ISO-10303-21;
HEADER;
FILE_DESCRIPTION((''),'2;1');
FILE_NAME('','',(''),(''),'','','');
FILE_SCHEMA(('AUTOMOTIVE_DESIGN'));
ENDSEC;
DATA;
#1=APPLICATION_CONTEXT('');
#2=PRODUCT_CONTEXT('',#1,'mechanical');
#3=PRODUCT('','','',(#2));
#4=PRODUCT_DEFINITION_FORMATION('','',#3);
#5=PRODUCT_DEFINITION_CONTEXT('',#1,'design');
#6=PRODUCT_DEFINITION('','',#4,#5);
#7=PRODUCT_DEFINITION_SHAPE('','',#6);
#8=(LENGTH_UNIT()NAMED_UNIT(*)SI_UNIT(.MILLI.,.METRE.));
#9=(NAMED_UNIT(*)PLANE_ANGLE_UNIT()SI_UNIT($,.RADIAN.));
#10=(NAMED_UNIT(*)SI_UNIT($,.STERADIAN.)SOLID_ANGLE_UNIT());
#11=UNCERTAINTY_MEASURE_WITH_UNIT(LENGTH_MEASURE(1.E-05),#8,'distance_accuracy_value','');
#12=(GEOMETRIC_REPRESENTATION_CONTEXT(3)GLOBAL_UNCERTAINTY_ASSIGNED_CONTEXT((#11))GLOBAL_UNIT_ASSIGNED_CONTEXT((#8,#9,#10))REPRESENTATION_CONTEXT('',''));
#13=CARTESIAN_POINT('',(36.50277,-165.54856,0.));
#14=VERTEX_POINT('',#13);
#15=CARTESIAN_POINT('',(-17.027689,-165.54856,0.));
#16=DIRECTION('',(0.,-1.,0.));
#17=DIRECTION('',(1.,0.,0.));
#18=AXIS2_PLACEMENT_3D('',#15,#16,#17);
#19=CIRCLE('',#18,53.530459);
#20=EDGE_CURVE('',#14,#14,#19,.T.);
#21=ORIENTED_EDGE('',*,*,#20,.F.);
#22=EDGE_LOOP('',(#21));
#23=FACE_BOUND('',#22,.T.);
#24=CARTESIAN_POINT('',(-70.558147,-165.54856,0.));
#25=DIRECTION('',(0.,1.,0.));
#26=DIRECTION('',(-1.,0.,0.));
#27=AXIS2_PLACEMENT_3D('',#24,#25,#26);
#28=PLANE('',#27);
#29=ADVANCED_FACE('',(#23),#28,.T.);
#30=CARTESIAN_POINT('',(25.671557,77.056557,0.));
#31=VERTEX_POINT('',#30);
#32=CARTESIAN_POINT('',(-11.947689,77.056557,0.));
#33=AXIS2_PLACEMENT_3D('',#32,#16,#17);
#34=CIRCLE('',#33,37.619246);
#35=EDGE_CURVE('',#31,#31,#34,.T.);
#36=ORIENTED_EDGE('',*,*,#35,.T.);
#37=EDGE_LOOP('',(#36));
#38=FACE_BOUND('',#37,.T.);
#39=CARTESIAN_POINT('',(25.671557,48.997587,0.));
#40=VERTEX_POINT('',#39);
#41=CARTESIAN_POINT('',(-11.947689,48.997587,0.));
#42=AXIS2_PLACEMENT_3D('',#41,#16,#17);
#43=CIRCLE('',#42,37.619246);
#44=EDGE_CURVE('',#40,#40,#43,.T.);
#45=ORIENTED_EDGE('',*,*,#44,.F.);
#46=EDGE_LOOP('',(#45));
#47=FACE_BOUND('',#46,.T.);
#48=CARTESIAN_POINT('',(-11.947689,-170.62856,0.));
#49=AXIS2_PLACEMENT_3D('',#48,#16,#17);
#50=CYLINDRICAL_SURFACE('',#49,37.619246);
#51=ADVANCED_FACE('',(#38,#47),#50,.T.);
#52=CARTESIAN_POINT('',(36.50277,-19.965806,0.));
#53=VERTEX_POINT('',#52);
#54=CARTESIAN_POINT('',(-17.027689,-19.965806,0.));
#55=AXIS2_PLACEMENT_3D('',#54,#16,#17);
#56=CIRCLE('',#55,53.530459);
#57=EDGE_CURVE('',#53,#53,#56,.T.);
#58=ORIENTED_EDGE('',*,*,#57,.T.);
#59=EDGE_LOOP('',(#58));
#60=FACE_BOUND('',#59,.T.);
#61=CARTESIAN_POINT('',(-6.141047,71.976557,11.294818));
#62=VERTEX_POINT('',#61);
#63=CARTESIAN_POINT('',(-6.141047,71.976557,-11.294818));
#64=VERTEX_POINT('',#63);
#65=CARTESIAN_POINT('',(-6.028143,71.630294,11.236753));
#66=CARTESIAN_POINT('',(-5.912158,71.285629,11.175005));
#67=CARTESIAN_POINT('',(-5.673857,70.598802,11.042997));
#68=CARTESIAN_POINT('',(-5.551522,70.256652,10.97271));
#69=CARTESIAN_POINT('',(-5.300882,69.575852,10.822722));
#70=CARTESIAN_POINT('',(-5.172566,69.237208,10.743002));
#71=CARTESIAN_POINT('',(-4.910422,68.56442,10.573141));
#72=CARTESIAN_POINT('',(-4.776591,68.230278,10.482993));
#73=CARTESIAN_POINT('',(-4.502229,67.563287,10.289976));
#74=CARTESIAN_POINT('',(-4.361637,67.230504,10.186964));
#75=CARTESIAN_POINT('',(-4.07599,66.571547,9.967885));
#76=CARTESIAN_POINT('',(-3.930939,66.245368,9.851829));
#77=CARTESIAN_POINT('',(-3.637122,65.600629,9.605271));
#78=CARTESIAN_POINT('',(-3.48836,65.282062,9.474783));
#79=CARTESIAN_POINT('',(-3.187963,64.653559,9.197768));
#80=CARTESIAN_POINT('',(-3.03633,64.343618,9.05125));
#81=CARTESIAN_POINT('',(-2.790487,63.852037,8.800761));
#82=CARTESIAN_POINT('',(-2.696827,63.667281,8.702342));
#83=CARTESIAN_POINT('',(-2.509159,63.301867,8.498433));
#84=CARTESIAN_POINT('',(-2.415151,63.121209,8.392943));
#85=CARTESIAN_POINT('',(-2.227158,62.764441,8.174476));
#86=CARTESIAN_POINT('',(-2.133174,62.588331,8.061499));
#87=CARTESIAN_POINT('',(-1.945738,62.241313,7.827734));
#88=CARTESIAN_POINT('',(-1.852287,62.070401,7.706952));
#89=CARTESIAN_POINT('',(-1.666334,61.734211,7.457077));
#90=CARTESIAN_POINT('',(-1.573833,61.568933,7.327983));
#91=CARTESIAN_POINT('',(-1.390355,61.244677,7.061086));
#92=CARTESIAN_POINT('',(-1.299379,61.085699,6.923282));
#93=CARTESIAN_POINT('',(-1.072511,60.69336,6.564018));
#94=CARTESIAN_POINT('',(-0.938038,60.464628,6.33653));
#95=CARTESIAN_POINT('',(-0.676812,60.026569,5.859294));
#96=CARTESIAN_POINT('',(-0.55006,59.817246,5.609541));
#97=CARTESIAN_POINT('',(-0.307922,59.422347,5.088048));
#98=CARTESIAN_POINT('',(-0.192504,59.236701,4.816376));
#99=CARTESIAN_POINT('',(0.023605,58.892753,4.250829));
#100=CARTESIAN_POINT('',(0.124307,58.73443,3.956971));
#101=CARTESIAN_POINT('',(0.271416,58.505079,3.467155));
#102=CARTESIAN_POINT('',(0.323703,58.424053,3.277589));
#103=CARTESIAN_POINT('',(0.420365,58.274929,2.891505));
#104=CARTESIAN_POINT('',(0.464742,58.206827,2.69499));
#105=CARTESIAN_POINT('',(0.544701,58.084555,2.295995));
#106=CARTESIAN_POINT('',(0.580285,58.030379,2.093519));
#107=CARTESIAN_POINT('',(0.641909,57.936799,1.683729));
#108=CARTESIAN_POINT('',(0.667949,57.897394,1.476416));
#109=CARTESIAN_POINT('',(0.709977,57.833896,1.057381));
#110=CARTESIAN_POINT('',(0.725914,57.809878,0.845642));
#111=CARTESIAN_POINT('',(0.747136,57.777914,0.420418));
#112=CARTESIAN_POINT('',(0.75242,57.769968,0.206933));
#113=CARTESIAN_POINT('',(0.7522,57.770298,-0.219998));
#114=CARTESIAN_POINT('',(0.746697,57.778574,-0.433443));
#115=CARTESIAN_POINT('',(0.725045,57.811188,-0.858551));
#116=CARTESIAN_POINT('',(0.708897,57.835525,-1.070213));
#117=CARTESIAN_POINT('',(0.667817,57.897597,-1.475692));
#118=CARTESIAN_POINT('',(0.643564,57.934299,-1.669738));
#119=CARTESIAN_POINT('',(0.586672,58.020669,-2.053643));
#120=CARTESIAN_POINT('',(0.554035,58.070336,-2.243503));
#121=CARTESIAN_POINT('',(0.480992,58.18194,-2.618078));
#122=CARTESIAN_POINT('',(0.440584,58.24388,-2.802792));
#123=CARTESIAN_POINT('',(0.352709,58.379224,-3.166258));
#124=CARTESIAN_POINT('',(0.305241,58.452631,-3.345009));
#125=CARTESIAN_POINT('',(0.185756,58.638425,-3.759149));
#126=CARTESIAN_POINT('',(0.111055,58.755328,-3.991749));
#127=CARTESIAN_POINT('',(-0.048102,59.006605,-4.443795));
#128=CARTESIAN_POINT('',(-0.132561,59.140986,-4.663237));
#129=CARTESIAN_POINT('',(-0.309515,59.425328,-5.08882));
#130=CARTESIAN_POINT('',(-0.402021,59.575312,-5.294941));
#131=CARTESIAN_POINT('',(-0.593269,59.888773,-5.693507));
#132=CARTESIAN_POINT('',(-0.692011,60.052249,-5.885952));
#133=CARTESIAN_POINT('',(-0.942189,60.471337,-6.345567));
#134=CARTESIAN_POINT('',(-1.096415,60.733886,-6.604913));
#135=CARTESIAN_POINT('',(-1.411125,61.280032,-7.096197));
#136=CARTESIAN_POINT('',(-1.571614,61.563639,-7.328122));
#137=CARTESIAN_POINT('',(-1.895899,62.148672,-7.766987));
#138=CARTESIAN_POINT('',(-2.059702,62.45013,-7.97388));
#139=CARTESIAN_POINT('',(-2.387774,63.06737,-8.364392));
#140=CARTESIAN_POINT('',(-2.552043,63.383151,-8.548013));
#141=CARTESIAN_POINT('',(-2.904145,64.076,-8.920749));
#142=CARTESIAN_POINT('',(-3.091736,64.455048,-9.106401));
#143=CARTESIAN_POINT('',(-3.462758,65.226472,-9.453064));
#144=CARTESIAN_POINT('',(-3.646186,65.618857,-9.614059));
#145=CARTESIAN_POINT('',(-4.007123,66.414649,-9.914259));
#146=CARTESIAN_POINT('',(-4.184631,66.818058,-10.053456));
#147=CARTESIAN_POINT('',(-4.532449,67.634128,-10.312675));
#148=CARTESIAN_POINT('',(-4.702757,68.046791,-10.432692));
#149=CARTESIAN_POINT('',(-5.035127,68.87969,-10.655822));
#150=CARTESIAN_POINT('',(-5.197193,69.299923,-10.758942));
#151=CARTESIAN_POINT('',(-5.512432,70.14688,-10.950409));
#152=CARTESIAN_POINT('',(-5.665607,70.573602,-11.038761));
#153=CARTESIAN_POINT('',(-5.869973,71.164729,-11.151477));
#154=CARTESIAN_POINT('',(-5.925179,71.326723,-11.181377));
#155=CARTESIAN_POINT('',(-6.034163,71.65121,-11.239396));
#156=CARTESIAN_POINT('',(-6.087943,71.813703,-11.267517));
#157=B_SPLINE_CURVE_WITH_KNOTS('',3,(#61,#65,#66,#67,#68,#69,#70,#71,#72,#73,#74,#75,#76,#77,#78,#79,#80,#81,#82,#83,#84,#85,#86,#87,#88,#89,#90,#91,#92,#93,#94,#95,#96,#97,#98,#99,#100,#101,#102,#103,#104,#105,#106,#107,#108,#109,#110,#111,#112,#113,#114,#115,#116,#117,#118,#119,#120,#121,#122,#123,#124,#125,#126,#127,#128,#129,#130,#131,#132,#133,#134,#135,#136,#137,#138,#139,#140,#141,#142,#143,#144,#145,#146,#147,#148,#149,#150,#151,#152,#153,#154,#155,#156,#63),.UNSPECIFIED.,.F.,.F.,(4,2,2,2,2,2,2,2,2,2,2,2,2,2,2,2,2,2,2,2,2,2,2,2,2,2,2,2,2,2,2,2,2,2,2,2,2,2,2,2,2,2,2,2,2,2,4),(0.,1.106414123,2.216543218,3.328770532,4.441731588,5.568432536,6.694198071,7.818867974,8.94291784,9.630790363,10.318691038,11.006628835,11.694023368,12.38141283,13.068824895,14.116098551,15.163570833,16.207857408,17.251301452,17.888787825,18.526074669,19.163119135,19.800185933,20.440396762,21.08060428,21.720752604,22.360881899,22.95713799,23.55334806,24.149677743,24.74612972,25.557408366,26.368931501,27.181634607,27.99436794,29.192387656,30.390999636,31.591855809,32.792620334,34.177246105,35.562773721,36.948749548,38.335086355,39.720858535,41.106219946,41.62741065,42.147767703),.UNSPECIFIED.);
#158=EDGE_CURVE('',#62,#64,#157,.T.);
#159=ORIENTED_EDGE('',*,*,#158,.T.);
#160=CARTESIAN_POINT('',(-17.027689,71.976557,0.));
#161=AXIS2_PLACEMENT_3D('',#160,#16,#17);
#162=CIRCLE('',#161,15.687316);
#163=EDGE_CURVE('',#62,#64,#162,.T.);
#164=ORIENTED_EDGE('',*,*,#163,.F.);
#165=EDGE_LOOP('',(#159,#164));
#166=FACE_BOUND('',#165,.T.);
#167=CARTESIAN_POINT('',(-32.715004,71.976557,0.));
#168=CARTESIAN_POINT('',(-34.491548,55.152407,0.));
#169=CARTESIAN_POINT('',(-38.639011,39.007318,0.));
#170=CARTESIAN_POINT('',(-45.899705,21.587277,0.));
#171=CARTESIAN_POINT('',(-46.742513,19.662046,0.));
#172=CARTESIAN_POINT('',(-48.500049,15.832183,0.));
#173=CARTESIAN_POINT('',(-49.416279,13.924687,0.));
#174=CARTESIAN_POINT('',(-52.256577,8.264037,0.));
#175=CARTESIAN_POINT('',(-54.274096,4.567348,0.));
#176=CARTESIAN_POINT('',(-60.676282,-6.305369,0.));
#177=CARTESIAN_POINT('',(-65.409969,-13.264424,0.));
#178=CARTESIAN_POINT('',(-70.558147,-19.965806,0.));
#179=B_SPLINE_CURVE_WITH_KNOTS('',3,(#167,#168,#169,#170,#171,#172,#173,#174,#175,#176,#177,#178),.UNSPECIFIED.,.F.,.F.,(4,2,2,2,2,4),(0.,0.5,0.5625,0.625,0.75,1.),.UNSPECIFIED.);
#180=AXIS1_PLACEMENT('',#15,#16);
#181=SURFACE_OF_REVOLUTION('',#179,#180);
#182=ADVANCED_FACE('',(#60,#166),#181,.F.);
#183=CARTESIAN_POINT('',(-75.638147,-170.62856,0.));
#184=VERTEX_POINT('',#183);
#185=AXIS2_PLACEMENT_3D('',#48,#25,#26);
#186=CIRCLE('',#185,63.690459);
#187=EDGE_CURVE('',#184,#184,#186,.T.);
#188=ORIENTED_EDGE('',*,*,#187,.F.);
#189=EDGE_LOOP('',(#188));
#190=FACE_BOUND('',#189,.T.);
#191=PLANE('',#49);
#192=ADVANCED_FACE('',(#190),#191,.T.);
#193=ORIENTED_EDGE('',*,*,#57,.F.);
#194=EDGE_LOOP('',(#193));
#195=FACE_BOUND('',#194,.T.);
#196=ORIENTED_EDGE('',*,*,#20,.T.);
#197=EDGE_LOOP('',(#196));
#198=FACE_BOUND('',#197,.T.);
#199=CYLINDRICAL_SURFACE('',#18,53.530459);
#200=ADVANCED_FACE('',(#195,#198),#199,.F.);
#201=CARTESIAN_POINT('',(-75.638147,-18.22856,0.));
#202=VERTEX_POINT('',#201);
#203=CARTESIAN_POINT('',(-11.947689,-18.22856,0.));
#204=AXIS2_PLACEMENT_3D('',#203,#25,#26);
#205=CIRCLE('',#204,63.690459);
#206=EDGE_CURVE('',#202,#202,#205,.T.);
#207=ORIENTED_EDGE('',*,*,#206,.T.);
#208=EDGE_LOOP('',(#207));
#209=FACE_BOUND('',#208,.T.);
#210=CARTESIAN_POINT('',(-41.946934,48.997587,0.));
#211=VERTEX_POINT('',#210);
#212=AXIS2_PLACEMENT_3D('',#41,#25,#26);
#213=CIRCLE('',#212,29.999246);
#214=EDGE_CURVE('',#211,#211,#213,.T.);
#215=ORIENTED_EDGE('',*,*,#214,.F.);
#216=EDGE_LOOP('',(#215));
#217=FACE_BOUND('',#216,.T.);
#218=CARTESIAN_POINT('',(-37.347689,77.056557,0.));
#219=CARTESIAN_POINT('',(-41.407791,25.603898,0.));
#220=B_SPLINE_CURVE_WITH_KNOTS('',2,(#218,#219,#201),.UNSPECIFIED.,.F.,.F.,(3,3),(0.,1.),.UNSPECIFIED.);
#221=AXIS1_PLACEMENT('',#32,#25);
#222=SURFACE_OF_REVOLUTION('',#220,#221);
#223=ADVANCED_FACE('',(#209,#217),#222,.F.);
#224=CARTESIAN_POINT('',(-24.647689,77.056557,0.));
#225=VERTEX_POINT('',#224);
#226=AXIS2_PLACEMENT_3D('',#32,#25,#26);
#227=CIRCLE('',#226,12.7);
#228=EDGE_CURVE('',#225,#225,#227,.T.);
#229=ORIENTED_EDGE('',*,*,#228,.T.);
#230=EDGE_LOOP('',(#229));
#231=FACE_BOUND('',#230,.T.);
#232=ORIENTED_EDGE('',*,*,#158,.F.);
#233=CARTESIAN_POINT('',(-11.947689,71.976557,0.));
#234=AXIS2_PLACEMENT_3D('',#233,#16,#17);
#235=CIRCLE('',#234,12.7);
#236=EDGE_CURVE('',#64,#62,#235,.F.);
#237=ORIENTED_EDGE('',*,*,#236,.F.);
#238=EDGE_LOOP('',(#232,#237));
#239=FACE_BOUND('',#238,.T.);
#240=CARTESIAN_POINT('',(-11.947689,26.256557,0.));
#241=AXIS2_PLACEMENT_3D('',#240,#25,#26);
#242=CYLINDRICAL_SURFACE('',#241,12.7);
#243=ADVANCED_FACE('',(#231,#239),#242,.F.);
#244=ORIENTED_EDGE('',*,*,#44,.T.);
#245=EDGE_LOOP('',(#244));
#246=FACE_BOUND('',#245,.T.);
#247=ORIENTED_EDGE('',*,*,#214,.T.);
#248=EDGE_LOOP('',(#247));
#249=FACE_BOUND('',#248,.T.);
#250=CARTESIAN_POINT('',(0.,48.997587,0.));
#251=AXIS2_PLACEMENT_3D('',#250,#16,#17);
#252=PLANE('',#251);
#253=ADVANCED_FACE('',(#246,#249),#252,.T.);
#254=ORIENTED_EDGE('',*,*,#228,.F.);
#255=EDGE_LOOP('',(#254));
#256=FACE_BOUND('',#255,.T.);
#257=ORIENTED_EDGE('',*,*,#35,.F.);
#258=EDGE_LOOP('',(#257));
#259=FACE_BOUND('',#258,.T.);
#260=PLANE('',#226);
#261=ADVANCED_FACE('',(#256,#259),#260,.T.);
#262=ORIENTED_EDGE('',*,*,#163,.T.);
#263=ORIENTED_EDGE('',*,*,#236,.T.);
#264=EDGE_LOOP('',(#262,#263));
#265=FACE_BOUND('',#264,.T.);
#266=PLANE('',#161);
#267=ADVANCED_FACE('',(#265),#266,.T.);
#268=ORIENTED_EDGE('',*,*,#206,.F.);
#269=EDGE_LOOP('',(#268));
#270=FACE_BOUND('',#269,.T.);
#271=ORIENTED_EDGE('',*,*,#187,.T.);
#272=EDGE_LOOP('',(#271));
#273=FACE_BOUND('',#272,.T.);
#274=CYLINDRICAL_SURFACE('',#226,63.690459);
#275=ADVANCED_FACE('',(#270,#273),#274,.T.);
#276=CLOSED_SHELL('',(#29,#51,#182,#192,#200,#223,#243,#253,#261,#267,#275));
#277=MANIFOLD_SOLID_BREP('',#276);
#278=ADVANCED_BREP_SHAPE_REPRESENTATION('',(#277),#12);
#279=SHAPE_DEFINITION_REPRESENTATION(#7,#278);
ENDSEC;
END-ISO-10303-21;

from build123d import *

# Parameters (mm, degrees)
SKETCH4_R          = 12.7
CUT_EXTRUDE1_DEPTH = 50.8


with BuildPart() as part:
    # Sketch2 → Revolve1 (revolve)
    with BuildSketch(Plane.XY):
        with BuildLine():
            Line((-11.947688608, 77.056557333), (-11.947688608, -170.628560352))
            Line((-11.947688608, -170.628560352), (-75.638147441, -170.628560352))
            Line((-75.638147441, -170.628560352), (-75.638147441, -18.228560352))
            add(Edge.make_bspline(
                [(-75.638147441, -18.228560352), (-41.40779095, 25.603897983), (-37.347688608, 77.056557333)],
                knots=[0, 0, 0, 1, 1, 1], degree=2))
            Line((-37.347688608, 77.056557333), (-11.947688608, 77.056557333))
        make_face()
    revolve(axis=Axis((-11.947688608, 77.056557333, 0), (0, -1, 0)))

    # Sketch3 → Revolve2 (revolve)
    with BuildSketch(Plane.XY, mode=Mode.PRIVATE) as revolve2_sk:
        with BuildLine():
            Line((-49.56693434, 48.997587312), (-41.94693434, 48.997587312))
            add(Edge.make_bspline(
                [(-37.347688606, 77.05655735), (-38.47805175, 62.73174853), (-41.946934336, 48.997587311)],
                knots=[0, 0, 0, 0.27840755, 0.27840755, 0.27840755], degree=2))
            Line((-37.347688606, 77.05655735), (-49.56693434, 77.05655735))
            Line((-49.56693434, 77.05655735), (-49.56693434, 48.997587312))
        make_face()
    revolve(revolve2_sk.sketch.rotate(Axis((-11.947688608, -170.628560352, 0), (0, 1, 0)), 180), axis=Axis((-11.947688608, -170.628560352, 0), (0, 1, 0)))

    # Sketch4 → Cut-Extrude1 (cut)
    with BuildSketch(Plane(origin=(0, 77.056557333, 0), x_dir=(1, 0, 0), z_dir=(0, 1, 0))):
        with Locations(Location((-11.947688608, 0, 0), (0, 0, 180))):
            Circle(SKETCH4_R)
    extrude(amount=-CUT_EXTRUDE1_DEPTH, mode=Mode.SUBTRACT)

    # Sketch5 → Cut-Revolve1 (revolve, cut)
    with BuildSketch(Plane.XY, mode=Mode.PRIVATE) as cut_revolve1_sk:
        with BuildLine():
            Line((-17.027688608, -165.548560352), (-17.027688608, 71.976557333))
            Line((-17.027688608, 71.976557333), (-32.715004421, 71.976557333))
            add(Edge.make_bspline(
                [(-32.715004421, 71.976557333), (-34.491548465, 55.152406634), (-38.639010582, 39.007317693), (-45.89970512, 21.587276989), (-46.742513348, 19.662046222), (-48.500048501, 15.832183135), (-49.416278966, 13.924686931), (-52.256576763, 8.26403653), (-54.274096029, 4.567347719), (-60.67628191, -6.3053686), (-65.409969255, -13.264423559), (-70.558147441, -19.965805759)],
                knots=[0, 0, 0, 0, 0.5, 0.5, 0.5625, 0.5625, 0.625, 0.625, 0.75, 0.75, 1, 1, 1, 1], degree=3))
            Line((-70.558147441, -19.965805759), (-70.558147441, -165.548560352))
            Line((-70.558147441, -165.548560352), (-17.027688608, -165.548560352))
        make_face()
    revolve(cut_revolve1_sk.sketch.rotate(Axis((-17.027688608, -165.548560352, 0), (0, 1, 0)), 180), axis=Axis((-17.027688608, -165.548560352, 0), (0, 1, 0)), mode=Mode.SUBTRACT)


solid = part.part
